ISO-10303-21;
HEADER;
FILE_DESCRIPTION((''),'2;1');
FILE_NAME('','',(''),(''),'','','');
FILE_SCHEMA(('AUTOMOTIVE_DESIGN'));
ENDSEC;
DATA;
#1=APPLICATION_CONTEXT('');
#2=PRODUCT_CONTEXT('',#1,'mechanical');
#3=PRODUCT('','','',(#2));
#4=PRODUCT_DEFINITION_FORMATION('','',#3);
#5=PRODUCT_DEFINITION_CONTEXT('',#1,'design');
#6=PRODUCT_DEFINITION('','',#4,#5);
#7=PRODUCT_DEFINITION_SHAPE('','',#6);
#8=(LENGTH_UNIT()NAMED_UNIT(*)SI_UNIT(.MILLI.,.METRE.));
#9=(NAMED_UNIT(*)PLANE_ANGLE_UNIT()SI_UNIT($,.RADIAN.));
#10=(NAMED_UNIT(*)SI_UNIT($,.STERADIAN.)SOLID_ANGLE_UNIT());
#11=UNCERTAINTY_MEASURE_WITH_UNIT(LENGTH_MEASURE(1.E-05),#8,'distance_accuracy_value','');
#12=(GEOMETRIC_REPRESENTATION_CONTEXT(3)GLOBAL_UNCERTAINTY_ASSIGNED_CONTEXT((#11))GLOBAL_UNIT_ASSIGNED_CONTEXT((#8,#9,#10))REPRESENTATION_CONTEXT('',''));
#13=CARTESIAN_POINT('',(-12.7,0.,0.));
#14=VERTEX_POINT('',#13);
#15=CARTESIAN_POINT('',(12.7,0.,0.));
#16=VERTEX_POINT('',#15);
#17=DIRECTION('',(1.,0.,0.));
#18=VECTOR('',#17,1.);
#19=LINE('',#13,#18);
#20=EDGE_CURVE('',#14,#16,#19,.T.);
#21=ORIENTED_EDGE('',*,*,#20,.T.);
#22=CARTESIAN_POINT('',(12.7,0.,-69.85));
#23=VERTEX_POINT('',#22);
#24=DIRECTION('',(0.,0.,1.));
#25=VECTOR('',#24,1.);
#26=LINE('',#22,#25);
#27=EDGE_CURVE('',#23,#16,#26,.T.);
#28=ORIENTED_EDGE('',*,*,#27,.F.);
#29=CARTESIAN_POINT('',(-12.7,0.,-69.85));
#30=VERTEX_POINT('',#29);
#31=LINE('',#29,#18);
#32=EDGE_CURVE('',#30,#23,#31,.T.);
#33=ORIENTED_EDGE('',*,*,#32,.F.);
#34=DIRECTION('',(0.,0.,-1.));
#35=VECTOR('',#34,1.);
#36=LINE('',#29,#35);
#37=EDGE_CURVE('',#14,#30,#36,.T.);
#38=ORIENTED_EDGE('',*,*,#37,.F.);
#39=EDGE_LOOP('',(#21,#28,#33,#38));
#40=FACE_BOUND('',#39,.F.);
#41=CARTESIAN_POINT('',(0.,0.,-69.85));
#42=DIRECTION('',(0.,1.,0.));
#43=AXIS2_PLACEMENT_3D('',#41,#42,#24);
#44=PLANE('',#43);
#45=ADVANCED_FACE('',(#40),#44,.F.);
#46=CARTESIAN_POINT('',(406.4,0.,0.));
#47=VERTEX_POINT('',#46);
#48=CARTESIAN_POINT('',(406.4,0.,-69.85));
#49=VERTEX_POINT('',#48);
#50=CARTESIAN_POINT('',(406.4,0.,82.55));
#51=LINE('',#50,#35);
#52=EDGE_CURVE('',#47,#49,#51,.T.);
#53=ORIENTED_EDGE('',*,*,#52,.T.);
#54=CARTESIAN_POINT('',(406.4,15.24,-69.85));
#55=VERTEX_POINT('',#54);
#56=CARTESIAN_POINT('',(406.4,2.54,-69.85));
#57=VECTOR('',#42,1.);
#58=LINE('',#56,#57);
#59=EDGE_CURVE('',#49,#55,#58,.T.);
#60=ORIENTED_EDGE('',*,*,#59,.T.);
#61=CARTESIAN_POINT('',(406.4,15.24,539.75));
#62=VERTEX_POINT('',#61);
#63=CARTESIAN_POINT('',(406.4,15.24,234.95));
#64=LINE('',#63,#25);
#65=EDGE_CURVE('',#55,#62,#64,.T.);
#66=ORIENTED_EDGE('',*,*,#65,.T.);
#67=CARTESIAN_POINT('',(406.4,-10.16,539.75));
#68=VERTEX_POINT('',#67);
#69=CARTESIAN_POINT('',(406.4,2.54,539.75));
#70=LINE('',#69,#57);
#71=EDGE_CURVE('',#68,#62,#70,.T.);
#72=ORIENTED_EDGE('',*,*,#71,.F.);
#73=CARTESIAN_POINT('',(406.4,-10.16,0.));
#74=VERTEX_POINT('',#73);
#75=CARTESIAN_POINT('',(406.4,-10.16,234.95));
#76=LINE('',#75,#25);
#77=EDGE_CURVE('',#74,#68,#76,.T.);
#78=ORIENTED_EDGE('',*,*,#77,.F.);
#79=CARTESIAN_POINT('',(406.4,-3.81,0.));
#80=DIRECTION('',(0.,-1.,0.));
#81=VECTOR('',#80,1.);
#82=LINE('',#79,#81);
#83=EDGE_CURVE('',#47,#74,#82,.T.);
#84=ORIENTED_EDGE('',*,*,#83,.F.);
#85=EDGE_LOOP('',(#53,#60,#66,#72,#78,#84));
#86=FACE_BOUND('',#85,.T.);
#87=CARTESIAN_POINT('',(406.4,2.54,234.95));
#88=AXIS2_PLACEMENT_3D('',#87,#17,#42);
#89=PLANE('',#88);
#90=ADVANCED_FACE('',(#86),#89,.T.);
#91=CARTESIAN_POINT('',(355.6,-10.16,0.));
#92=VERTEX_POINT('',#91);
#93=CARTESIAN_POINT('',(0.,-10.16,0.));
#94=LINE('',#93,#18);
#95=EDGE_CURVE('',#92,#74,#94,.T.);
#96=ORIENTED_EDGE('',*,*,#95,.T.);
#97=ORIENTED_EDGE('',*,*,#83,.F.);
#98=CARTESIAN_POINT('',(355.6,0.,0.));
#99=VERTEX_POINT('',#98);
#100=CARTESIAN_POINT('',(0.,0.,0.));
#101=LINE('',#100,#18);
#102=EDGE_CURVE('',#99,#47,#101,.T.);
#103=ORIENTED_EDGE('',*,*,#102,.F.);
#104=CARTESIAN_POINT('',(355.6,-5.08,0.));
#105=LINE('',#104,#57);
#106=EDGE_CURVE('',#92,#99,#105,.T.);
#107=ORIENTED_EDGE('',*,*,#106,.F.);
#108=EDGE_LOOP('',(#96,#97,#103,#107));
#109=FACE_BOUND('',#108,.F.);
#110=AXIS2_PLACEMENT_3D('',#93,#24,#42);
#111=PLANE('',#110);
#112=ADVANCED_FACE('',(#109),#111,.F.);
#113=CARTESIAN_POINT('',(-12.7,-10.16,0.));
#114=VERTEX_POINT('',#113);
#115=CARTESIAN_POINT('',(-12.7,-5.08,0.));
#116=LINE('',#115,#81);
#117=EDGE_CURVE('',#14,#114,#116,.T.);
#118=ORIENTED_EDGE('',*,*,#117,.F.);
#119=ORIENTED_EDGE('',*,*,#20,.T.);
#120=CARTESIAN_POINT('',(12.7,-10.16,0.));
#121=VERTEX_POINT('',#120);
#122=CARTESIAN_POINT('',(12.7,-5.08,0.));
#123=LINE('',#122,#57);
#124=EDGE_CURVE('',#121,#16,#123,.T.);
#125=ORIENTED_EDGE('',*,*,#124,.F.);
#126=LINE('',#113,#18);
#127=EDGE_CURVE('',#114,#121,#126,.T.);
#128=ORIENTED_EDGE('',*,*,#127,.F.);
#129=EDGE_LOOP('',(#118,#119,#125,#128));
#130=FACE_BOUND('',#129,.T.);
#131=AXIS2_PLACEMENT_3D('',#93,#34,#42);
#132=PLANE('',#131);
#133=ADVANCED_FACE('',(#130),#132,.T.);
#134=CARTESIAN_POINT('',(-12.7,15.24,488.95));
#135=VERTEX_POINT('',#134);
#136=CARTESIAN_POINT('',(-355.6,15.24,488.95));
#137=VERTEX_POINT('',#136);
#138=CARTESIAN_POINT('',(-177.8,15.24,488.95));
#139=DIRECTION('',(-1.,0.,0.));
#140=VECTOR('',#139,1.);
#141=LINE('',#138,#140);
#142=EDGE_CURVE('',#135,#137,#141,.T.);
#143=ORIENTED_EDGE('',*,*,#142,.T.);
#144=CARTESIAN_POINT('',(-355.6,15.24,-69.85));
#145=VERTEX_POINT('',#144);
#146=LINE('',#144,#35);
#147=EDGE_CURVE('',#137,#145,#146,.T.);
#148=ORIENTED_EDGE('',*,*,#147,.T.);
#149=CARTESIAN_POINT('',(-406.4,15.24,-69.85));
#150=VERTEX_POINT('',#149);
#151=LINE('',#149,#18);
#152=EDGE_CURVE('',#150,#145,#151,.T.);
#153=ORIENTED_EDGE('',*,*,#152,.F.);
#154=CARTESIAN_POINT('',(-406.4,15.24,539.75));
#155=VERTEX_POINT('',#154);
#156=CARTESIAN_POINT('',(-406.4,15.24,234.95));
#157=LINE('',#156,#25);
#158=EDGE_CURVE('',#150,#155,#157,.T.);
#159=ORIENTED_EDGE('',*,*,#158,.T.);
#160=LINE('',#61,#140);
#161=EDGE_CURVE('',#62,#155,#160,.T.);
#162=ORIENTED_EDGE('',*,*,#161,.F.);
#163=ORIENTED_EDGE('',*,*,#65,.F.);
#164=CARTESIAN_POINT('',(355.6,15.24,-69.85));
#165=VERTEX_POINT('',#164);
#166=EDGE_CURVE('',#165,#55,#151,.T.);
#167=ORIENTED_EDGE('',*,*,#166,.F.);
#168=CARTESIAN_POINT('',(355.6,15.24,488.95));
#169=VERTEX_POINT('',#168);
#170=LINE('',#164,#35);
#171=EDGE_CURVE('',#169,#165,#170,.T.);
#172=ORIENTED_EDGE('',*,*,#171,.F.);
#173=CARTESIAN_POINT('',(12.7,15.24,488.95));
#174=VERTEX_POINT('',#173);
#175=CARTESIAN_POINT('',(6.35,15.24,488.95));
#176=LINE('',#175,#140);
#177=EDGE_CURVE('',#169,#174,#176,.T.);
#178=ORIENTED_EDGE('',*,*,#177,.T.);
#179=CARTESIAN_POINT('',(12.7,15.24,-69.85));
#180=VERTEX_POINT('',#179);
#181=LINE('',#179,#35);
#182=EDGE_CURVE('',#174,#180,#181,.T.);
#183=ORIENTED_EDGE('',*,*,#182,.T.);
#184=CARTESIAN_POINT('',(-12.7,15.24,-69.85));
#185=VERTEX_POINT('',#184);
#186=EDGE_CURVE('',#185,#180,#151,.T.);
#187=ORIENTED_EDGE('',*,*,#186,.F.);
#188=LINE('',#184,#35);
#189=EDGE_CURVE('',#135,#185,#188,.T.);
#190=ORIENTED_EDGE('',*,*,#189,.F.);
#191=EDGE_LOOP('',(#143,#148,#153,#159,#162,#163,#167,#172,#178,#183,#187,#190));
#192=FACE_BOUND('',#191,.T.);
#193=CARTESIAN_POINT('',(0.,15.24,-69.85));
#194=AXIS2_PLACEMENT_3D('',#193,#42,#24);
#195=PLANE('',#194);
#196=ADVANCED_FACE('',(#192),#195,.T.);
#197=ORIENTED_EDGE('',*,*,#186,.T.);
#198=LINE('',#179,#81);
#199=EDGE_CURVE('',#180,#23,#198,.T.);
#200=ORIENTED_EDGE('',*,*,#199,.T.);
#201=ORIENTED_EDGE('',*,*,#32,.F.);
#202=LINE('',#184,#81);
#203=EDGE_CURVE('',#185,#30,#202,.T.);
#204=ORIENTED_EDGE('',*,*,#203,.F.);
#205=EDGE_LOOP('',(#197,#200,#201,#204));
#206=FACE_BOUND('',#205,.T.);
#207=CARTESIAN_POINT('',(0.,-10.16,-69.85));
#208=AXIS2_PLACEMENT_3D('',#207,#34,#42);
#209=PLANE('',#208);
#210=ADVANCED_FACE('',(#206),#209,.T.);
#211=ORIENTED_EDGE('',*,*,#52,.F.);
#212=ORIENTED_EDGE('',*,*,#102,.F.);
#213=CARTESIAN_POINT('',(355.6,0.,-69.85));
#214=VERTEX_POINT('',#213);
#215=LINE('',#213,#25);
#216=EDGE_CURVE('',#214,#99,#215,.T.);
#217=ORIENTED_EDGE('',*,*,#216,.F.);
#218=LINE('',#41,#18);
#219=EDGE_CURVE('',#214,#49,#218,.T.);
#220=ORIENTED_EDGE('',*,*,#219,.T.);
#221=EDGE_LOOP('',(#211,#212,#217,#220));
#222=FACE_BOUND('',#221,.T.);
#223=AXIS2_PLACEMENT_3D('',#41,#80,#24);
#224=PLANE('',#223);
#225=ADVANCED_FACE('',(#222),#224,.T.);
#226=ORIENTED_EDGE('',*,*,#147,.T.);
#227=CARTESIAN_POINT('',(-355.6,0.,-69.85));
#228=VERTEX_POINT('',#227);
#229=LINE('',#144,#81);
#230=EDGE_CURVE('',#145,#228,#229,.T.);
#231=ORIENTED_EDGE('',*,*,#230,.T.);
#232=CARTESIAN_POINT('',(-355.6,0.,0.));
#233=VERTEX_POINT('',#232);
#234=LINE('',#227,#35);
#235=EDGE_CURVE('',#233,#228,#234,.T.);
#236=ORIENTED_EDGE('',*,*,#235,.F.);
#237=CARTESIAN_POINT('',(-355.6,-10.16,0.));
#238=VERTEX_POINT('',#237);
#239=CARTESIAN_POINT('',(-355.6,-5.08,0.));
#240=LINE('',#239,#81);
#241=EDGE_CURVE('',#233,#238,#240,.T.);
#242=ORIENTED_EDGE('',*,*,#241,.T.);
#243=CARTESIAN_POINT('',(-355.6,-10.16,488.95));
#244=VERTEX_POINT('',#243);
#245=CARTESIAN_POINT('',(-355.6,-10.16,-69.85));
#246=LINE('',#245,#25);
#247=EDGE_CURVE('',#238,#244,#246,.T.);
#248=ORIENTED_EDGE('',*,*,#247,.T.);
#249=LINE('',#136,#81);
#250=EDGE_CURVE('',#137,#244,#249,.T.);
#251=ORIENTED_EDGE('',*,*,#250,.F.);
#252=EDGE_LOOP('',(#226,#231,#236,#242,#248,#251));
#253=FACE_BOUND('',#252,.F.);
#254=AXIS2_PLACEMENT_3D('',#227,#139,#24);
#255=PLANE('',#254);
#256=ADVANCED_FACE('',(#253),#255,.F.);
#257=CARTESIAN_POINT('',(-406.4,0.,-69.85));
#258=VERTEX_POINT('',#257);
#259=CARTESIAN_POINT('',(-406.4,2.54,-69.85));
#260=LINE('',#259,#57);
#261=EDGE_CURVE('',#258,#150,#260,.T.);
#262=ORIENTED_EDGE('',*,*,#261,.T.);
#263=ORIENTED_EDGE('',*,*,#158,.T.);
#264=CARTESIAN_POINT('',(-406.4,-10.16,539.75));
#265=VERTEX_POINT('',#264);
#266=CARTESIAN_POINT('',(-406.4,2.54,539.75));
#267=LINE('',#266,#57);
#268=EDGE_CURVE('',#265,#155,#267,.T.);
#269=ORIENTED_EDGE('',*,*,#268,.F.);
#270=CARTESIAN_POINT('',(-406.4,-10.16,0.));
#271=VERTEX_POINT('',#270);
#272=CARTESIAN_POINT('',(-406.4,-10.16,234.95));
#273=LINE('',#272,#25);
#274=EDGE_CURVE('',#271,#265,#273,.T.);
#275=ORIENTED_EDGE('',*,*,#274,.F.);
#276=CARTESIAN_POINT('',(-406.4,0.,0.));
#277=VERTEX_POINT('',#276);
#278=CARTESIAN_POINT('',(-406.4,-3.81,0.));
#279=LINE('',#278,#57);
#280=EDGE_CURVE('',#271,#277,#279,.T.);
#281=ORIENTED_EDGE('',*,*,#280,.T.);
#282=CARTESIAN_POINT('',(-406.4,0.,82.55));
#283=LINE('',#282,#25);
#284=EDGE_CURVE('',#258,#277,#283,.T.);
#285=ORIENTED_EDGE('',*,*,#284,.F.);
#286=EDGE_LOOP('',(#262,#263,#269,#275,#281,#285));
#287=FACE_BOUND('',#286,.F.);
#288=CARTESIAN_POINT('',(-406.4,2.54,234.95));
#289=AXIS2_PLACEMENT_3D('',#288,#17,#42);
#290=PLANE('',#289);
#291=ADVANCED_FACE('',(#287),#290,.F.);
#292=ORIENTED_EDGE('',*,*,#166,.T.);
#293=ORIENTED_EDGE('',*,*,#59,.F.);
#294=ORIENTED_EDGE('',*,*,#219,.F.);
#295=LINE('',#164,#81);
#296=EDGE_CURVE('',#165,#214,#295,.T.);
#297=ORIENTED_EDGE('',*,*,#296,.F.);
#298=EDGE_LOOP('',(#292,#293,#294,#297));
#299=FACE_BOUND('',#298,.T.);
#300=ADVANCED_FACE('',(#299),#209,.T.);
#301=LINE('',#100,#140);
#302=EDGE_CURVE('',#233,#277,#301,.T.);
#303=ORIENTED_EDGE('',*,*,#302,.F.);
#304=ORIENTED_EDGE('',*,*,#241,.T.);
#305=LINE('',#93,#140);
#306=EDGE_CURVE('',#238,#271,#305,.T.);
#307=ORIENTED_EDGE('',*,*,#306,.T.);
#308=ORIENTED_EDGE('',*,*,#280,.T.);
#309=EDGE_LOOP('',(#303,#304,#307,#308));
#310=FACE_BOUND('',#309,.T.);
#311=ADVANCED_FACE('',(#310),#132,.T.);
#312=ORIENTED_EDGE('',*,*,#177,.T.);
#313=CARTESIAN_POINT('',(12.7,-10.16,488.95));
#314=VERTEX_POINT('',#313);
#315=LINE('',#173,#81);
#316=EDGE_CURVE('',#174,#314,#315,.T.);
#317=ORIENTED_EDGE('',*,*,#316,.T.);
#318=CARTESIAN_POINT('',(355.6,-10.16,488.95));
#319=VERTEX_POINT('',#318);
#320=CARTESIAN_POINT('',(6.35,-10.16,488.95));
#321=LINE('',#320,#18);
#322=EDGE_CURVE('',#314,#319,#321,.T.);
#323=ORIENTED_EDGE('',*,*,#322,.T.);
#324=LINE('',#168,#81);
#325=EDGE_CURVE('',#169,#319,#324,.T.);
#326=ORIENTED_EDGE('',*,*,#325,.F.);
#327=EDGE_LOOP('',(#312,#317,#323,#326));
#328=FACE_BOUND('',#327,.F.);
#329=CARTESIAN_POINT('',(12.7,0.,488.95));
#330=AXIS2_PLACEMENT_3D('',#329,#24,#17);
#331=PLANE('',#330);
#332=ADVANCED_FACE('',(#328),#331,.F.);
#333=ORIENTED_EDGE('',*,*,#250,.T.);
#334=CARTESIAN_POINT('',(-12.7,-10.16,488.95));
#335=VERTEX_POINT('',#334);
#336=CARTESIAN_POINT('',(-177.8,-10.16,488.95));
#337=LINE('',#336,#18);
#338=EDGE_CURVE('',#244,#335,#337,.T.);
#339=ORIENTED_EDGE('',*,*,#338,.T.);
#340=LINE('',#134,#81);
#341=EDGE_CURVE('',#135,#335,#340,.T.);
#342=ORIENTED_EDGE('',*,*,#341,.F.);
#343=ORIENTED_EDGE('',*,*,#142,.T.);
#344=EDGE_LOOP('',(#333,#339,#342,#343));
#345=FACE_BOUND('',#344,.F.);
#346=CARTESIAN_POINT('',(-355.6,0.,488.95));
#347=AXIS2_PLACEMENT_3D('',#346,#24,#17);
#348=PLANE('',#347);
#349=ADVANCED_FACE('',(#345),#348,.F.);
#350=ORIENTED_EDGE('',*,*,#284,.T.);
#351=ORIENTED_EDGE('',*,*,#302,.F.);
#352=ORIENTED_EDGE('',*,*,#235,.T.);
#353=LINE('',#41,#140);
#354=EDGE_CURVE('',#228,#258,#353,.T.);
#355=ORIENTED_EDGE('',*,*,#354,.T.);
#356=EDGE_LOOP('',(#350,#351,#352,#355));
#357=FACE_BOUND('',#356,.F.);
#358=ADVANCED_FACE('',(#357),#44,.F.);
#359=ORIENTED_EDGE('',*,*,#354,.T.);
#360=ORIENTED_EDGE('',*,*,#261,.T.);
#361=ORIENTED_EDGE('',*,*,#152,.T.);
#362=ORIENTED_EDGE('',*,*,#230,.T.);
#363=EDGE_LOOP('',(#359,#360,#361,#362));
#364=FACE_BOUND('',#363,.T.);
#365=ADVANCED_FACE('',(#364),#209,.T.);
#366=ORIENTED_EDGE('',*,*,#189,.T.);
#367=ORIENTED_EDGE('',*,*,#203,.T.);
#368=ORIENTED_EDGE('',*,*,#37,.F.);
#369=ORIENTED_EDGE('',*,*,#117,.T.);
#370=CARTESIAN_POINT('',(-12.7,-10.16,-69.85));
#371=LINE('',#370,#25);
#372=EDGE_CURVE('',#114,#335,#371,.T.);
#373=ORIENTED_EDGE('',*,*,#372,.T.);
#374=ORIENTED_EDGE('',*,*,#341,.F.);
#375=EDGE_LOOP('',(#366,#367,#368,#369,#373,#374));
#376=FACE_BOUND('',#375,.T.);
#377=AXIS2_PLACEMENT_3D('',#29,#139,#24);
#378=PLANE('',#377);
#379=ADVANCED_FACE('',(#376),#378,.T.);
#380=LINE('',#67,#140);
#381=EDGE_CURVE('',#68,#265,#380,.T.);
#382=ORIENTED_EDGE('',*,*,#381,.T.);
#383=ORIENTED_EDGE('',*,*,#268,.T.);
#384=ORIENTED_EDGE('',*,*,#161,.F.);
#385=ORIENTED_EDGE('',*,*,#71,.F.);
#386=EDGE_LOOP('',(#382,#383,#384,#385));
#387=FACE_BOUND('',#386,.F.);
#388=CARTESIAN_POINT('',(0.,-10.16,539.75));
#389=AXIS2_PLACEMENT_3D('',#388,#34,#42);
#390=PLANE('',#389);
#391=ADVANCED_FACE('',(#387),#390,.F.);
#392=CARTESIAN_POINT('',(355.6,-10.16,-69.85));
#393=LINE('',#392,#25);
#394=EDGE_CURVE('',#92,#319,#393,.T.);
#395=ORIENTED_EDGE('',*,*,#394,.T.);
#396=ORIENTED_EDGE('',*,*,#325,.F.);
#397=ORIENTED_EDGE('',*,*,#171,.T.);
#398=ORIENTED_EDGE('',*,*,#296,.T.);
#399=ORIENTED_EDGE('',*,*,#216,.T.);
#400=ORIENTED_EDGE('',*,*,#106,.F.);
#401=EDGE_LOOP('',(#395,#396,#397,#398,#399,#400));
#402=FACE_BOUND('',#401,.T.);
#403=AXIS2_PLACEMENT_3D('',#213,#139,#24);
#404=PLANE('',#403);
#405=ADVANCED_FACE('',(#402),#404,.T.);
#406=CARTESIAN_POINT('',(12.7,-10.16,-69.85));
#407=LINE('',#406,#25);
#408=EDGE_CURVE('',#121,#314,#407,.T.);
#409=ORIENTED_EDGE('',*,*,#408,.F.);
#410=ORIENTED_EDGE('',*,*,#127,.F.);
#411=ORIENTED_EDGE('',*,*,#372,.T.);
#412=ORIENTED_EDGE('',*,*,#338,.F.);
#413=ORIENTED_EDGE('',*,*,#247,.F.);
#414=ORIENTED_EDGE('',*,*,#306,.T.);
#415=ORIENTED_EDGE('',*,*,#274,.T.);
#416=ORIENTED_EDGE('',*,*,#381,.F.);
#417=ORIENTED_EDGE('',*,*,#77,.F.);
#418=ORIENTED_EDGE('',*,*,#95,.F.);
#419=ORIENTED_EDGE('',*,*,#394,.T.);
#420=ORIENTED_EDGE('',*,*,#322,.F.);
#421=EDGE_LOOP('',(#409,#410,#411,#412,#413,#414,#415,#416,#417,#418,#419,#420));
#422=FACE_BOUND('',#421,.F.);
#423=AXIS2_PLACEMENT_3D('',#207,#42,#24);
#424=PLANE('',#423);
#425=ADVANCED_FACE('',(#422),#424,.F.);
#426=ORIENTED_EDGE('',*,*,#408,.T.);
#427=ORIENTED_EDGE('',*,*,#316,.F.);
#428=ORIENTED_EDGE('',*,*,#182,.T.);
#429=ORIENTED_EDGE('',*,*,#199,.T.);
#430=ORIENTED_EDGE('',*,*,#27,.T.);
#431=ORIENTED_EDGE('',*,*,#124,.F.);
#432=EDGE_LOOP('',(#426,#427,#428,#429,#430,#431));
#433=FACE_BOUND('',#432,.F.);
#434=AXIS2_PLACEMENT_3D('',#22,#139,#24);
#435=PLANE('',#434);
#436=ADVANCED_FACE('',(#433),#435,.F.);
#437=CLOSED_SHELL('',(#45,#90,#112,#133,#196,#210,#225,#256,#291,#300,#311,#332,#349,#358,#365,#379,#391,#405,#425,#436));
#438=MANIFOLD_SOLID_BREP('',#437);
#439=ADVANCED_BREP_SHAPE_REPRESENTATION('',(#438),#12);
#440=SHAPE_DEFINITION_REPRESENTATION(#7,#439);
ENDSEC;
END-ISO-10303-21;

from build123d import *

# Parameters (mm, degrees)
F0_W          = 25.4
F0_H          = 609.6
F1_DEPTH      = 406.4
F2_W          = 342.9
F2_H          = 558.8
F3_DEPTH      = 15.241
F3_DEPTH_BACK = 10.161
F4_W          = 10.16
F4_H          = 69.85
F5_DEPTH      = 406.401
F5_DEPTH_BACK = 406.401


with BuildPart() as f1:
    # F0 (on Right) → F1 (new body, symmetric)
    with BuildSketch(Plane.YZ):
        with Locations((2.54, 234.95)):
            Rectangle(F0_W, F0_H)
    extrude(amount=F1_DEPTH, both=True)

    # F2 (on Front) → F3 (cut, two sides)
    with BuildSketch(Plane.XZ) as f3_sk:
        with Locations((-184.15, 209.55)):
            Rectangle(F2_W, F2_H)
        with Locations((184.15, 209.55)):
            Rectangle(F2_W, F2_H)
    extrude(amount=-F3_DEPTH, mode=Mode.SUBTRACT)
    extrude(f3_sk.sketch, amount=F3_DEPTH_BACK, mode=Mode.SUBTRACT)

    # F4 (on Right) → F5 (cut, two sides)
    with BuildSketch(Plane.YZ) as f5_sk:
        with Locations((-5.08, -34.925)):
            Rectangle(F4_W, F4_H)
    extrude(amount=-F5_DEPTH, mode=Mode.SUBTRACT)
    extrude(f5_sk.sketch, amount=F5_DEPTH_BACK, mode=Mode.SUBTRACT)


solid = f1.part
